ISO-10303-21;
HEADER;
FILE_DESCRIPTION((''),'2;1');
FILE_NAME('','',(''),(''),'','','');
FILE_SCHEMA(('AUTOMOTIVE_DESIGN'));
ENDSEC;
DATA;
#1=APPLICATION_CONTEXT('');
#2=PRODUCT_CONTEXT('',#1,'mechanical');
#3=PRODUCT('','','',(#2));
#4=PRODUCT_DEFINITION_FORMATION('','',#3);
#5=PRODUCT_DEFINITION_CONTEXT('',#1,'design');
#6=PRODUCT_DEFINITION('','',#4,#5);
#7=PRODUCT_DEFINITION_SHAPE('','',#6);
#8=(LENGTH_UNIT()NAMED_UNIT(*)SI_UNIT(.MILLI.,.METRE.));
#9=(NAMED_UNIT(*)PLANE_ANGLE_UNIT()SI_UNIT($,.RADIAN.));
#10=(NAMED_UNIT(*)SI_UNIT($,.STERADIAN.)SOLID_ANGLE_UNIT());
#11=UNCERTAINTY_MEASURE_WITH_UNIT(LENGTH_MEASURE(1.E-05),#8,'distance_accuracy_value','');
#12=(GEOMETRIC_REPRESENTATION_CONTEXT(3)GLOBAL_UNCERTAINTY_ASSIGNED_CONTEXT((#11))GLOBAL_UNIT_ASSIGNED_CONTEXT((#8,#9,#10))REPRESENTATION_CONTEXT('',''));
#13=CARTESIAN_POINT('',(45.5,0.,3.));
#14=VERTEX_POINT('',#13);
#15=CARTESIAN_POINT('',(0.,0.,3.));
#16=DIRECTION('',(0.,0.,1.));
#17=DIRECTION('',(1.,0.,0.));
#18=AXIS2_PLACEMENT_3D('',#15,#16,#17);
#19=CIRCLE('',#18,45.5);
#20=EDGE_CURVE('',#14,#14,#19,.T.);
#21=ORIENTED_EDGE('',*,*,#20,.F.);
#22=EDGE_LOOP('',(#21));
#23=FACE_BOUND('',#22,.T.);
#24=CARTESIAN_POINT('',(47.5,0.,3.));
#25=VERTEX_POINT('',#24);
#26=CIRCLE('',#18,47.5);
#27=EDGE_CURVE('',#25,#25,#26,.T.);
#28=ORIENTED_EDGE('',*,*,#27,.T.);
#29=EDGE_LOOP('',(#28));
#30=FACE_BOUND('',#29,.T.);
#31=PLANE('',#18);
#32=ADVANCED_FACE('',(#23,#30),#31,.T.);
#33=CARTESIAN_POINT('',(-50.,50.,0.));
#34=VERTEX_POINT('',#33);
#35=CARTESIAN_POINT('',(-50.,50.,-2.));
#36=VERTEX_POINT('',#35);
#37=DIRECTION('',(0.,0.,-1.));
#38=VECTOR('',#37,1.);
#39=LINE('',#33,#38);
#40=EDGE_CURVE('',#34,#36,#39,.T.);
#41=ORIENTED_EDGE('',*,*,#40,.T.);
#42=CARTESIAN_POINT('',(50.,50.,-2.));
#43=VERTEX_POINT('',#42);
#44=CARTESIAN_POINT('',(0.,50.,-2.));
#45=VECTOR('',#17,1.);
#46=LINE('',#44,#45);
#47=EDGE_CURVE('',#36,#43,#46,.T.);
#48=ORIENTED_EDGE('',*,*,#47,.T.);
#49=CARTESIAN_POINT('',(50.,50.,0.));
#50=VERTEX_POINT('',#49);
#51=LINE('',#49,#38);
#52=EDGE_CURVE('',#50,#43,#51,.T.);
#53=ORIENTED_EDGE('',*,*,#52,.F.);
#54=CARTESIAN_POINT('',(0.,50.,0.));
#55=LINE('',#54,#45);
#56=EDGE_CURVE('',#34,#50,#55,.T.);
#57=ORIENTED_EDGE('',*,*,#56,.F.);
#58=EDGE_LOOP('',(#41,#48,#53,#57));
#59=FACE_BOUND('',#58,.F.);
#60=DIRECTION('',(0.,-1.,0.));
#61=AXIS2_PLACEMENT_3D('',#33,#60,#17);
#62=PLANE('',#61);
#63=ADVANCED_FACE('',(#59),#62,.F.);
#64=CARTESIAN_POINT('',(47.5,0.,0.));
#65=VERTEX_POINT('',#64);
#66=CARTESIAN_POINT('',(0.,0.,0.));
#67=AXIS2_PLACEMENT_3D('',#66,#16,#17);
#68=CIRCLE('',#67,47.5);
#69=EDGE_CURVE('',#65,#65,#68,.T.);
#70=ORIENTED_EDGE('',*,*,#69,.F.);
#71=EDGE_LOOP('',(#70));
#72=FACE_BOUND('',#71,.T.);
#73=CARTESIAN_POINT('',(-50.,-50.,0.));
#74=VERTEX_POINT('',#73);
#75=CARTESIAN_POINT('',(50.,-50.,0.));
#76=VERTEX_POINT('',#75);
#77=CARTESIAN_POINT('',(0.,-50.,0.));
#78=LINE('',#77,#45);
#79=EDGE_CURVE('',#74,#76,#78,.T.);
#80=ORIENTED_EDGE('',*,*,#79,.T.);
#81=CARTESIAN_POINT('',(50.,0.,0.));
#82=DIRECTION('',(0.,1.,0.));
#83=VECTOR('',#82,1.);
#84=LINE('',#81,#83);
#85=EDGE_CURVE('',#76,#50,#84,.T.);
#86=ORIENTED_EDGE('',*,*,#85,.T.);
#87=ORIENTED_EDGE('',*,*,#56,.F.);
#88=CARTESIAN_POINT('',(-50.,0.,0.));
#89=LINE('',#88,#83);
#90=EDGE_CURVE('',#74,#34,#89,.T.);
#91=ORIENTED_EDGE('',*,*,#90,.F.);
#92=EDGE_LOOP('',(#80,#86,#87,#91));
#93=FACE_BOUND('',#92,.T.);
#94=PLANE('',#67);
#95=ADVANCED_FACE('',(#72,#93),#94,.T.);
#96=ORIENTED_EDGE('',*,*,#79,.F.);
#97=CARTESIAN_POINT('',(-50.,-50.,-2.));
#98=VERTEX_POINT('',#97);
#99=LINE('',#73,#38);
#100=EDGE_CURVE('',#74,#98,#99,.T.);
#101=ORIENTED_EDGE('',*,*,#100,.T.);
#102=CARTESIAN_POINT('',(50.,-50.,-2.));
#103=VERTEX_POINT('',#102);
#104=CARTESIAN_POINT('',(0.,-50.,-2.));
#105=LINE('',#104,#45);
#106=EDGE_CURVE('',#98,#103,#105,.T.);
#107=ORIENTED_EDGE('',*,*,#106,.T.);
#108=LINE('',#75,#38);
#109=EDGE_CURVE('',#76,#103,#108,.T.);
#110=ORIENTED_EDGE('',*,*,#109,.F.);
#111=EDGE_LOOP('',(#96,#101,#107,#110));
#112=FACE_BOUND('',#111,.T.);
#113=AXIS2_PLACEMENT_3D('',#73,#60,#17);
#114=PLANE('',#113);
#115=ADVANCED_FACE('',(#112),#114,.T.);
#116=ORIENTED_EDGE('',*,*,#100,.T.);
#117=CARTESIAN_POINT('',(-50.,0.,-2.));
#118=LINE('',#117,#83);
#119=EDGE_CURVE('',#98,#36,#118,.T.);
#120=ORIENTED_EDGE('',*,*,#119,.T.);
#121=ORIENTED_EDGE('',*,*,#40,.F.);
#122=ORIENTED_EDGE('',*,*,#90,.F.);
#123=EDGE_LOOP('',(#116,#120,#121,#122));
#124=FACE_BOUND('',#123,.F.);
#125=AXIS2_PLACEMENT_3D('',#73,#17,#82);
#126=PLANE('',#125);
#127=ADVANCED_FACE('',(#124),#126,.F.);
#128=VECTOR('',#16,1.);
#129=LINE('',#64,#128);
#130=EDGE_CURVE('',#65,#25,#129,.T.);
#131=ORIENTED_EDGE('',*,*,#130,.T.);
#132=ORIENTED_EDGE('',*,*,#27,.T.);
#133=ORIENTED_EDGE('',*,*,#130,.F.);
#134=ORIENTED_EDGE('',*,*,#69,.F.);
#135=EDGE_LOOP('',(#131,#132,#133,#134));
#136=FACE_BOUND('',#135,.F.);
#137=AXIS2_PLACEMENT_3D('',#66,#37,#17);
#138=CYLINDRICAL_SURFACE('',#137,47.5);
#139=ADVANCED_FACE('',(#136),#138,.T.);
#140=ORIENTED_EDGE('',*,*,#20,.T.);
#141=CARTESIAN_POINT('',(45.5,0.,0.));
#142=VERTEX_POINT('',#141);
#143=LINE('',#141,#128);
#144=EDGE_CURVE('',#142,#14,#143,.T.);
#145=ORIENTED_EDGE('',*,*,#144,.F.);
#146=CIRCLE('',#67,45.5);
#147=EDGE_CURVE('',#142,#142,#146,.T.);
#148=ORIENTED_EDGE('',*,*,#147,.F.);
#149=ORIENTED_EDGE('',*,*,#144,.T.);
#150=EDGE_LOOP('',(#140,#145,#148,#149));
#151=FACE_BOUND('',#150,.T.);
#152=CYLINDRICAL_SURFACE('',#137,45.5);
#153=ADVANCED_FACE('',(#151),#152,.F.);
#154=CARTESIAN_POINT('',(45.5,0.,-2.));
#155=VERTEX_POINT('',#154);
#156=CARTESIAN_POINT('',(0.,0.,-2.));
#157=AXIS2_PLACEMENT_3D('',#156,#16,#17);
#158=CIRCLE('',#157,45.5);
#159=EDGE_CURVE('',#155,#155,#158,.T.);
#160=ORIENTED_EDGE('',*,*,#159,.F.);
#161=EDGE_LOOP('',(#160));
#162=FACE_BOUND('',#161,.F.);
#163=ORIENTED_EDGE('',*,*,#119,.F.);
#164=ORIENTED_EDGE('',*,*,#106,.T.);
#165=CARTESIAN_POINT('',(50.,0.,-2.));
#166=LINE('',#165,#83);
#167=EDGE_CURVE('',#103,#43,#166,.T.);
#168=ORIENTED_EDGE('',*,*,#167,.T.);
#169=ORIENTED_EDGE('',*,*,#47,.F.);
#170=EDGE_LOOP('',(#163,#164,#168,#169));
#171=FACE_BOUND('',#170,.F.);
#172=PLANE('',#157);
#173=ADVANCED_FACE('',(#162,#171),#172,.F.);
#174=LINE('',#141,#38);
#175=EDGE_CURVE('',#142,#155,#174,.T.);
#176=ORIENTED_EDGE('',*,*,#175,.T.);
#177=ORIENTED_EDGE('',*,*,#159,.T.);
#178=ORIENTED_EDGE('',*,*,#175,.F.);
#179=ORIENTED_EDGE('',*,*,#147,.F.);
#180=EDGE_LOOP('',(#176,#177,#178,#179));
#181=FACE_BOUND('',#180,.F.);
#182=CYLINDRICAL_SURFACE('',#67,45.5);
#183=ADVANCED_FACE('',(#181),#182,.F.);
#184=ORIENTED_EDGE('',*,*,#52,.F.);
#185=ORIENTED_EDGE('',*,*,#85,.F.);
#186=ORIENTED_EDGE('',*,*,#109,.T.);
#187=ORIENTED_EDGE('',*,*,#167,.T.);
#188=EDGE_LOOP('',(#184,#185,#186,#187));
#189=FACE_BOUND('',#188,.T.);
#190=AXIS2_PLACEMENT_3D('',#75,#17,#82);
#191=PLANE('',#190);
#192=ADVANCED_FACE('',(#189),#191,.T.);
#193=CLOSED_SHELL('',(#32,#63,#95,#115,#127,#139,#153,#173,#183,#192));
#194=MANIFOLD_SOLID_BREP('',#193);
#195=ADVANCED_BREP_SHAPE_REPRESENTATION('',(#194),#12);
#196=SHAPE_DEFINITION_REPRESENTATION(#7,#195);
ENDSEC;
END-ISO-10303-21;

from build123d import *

# Parameters (mm, degrees)
F0_R     = 47.5
F0_R_2   = 45.5
F1_DEPTH = 3
F2_W     = 100
F2_H     = 100
F2_R     = 45.5
F3_DEPTH = 2


with BuildPart() as f1:
    # F0 (on Top) → F1 (new body)
    with BuildSketch(Plane.XY):
        Circle(F0_R)
        Circle(F0_R_2, mode=Mode.SUBTRACT)
    extrude(amount=F1_DEPTH)

    # F2 (on Top) → F3 (join)
    with BuildSketch(Plane.XY):
        Rectangle(F2_W, F2_H)
        Circle(F2_R, mode=Mode.SUBTRACT)
    extrude(amount=-F3_DEPTH)


solid = f1.part
